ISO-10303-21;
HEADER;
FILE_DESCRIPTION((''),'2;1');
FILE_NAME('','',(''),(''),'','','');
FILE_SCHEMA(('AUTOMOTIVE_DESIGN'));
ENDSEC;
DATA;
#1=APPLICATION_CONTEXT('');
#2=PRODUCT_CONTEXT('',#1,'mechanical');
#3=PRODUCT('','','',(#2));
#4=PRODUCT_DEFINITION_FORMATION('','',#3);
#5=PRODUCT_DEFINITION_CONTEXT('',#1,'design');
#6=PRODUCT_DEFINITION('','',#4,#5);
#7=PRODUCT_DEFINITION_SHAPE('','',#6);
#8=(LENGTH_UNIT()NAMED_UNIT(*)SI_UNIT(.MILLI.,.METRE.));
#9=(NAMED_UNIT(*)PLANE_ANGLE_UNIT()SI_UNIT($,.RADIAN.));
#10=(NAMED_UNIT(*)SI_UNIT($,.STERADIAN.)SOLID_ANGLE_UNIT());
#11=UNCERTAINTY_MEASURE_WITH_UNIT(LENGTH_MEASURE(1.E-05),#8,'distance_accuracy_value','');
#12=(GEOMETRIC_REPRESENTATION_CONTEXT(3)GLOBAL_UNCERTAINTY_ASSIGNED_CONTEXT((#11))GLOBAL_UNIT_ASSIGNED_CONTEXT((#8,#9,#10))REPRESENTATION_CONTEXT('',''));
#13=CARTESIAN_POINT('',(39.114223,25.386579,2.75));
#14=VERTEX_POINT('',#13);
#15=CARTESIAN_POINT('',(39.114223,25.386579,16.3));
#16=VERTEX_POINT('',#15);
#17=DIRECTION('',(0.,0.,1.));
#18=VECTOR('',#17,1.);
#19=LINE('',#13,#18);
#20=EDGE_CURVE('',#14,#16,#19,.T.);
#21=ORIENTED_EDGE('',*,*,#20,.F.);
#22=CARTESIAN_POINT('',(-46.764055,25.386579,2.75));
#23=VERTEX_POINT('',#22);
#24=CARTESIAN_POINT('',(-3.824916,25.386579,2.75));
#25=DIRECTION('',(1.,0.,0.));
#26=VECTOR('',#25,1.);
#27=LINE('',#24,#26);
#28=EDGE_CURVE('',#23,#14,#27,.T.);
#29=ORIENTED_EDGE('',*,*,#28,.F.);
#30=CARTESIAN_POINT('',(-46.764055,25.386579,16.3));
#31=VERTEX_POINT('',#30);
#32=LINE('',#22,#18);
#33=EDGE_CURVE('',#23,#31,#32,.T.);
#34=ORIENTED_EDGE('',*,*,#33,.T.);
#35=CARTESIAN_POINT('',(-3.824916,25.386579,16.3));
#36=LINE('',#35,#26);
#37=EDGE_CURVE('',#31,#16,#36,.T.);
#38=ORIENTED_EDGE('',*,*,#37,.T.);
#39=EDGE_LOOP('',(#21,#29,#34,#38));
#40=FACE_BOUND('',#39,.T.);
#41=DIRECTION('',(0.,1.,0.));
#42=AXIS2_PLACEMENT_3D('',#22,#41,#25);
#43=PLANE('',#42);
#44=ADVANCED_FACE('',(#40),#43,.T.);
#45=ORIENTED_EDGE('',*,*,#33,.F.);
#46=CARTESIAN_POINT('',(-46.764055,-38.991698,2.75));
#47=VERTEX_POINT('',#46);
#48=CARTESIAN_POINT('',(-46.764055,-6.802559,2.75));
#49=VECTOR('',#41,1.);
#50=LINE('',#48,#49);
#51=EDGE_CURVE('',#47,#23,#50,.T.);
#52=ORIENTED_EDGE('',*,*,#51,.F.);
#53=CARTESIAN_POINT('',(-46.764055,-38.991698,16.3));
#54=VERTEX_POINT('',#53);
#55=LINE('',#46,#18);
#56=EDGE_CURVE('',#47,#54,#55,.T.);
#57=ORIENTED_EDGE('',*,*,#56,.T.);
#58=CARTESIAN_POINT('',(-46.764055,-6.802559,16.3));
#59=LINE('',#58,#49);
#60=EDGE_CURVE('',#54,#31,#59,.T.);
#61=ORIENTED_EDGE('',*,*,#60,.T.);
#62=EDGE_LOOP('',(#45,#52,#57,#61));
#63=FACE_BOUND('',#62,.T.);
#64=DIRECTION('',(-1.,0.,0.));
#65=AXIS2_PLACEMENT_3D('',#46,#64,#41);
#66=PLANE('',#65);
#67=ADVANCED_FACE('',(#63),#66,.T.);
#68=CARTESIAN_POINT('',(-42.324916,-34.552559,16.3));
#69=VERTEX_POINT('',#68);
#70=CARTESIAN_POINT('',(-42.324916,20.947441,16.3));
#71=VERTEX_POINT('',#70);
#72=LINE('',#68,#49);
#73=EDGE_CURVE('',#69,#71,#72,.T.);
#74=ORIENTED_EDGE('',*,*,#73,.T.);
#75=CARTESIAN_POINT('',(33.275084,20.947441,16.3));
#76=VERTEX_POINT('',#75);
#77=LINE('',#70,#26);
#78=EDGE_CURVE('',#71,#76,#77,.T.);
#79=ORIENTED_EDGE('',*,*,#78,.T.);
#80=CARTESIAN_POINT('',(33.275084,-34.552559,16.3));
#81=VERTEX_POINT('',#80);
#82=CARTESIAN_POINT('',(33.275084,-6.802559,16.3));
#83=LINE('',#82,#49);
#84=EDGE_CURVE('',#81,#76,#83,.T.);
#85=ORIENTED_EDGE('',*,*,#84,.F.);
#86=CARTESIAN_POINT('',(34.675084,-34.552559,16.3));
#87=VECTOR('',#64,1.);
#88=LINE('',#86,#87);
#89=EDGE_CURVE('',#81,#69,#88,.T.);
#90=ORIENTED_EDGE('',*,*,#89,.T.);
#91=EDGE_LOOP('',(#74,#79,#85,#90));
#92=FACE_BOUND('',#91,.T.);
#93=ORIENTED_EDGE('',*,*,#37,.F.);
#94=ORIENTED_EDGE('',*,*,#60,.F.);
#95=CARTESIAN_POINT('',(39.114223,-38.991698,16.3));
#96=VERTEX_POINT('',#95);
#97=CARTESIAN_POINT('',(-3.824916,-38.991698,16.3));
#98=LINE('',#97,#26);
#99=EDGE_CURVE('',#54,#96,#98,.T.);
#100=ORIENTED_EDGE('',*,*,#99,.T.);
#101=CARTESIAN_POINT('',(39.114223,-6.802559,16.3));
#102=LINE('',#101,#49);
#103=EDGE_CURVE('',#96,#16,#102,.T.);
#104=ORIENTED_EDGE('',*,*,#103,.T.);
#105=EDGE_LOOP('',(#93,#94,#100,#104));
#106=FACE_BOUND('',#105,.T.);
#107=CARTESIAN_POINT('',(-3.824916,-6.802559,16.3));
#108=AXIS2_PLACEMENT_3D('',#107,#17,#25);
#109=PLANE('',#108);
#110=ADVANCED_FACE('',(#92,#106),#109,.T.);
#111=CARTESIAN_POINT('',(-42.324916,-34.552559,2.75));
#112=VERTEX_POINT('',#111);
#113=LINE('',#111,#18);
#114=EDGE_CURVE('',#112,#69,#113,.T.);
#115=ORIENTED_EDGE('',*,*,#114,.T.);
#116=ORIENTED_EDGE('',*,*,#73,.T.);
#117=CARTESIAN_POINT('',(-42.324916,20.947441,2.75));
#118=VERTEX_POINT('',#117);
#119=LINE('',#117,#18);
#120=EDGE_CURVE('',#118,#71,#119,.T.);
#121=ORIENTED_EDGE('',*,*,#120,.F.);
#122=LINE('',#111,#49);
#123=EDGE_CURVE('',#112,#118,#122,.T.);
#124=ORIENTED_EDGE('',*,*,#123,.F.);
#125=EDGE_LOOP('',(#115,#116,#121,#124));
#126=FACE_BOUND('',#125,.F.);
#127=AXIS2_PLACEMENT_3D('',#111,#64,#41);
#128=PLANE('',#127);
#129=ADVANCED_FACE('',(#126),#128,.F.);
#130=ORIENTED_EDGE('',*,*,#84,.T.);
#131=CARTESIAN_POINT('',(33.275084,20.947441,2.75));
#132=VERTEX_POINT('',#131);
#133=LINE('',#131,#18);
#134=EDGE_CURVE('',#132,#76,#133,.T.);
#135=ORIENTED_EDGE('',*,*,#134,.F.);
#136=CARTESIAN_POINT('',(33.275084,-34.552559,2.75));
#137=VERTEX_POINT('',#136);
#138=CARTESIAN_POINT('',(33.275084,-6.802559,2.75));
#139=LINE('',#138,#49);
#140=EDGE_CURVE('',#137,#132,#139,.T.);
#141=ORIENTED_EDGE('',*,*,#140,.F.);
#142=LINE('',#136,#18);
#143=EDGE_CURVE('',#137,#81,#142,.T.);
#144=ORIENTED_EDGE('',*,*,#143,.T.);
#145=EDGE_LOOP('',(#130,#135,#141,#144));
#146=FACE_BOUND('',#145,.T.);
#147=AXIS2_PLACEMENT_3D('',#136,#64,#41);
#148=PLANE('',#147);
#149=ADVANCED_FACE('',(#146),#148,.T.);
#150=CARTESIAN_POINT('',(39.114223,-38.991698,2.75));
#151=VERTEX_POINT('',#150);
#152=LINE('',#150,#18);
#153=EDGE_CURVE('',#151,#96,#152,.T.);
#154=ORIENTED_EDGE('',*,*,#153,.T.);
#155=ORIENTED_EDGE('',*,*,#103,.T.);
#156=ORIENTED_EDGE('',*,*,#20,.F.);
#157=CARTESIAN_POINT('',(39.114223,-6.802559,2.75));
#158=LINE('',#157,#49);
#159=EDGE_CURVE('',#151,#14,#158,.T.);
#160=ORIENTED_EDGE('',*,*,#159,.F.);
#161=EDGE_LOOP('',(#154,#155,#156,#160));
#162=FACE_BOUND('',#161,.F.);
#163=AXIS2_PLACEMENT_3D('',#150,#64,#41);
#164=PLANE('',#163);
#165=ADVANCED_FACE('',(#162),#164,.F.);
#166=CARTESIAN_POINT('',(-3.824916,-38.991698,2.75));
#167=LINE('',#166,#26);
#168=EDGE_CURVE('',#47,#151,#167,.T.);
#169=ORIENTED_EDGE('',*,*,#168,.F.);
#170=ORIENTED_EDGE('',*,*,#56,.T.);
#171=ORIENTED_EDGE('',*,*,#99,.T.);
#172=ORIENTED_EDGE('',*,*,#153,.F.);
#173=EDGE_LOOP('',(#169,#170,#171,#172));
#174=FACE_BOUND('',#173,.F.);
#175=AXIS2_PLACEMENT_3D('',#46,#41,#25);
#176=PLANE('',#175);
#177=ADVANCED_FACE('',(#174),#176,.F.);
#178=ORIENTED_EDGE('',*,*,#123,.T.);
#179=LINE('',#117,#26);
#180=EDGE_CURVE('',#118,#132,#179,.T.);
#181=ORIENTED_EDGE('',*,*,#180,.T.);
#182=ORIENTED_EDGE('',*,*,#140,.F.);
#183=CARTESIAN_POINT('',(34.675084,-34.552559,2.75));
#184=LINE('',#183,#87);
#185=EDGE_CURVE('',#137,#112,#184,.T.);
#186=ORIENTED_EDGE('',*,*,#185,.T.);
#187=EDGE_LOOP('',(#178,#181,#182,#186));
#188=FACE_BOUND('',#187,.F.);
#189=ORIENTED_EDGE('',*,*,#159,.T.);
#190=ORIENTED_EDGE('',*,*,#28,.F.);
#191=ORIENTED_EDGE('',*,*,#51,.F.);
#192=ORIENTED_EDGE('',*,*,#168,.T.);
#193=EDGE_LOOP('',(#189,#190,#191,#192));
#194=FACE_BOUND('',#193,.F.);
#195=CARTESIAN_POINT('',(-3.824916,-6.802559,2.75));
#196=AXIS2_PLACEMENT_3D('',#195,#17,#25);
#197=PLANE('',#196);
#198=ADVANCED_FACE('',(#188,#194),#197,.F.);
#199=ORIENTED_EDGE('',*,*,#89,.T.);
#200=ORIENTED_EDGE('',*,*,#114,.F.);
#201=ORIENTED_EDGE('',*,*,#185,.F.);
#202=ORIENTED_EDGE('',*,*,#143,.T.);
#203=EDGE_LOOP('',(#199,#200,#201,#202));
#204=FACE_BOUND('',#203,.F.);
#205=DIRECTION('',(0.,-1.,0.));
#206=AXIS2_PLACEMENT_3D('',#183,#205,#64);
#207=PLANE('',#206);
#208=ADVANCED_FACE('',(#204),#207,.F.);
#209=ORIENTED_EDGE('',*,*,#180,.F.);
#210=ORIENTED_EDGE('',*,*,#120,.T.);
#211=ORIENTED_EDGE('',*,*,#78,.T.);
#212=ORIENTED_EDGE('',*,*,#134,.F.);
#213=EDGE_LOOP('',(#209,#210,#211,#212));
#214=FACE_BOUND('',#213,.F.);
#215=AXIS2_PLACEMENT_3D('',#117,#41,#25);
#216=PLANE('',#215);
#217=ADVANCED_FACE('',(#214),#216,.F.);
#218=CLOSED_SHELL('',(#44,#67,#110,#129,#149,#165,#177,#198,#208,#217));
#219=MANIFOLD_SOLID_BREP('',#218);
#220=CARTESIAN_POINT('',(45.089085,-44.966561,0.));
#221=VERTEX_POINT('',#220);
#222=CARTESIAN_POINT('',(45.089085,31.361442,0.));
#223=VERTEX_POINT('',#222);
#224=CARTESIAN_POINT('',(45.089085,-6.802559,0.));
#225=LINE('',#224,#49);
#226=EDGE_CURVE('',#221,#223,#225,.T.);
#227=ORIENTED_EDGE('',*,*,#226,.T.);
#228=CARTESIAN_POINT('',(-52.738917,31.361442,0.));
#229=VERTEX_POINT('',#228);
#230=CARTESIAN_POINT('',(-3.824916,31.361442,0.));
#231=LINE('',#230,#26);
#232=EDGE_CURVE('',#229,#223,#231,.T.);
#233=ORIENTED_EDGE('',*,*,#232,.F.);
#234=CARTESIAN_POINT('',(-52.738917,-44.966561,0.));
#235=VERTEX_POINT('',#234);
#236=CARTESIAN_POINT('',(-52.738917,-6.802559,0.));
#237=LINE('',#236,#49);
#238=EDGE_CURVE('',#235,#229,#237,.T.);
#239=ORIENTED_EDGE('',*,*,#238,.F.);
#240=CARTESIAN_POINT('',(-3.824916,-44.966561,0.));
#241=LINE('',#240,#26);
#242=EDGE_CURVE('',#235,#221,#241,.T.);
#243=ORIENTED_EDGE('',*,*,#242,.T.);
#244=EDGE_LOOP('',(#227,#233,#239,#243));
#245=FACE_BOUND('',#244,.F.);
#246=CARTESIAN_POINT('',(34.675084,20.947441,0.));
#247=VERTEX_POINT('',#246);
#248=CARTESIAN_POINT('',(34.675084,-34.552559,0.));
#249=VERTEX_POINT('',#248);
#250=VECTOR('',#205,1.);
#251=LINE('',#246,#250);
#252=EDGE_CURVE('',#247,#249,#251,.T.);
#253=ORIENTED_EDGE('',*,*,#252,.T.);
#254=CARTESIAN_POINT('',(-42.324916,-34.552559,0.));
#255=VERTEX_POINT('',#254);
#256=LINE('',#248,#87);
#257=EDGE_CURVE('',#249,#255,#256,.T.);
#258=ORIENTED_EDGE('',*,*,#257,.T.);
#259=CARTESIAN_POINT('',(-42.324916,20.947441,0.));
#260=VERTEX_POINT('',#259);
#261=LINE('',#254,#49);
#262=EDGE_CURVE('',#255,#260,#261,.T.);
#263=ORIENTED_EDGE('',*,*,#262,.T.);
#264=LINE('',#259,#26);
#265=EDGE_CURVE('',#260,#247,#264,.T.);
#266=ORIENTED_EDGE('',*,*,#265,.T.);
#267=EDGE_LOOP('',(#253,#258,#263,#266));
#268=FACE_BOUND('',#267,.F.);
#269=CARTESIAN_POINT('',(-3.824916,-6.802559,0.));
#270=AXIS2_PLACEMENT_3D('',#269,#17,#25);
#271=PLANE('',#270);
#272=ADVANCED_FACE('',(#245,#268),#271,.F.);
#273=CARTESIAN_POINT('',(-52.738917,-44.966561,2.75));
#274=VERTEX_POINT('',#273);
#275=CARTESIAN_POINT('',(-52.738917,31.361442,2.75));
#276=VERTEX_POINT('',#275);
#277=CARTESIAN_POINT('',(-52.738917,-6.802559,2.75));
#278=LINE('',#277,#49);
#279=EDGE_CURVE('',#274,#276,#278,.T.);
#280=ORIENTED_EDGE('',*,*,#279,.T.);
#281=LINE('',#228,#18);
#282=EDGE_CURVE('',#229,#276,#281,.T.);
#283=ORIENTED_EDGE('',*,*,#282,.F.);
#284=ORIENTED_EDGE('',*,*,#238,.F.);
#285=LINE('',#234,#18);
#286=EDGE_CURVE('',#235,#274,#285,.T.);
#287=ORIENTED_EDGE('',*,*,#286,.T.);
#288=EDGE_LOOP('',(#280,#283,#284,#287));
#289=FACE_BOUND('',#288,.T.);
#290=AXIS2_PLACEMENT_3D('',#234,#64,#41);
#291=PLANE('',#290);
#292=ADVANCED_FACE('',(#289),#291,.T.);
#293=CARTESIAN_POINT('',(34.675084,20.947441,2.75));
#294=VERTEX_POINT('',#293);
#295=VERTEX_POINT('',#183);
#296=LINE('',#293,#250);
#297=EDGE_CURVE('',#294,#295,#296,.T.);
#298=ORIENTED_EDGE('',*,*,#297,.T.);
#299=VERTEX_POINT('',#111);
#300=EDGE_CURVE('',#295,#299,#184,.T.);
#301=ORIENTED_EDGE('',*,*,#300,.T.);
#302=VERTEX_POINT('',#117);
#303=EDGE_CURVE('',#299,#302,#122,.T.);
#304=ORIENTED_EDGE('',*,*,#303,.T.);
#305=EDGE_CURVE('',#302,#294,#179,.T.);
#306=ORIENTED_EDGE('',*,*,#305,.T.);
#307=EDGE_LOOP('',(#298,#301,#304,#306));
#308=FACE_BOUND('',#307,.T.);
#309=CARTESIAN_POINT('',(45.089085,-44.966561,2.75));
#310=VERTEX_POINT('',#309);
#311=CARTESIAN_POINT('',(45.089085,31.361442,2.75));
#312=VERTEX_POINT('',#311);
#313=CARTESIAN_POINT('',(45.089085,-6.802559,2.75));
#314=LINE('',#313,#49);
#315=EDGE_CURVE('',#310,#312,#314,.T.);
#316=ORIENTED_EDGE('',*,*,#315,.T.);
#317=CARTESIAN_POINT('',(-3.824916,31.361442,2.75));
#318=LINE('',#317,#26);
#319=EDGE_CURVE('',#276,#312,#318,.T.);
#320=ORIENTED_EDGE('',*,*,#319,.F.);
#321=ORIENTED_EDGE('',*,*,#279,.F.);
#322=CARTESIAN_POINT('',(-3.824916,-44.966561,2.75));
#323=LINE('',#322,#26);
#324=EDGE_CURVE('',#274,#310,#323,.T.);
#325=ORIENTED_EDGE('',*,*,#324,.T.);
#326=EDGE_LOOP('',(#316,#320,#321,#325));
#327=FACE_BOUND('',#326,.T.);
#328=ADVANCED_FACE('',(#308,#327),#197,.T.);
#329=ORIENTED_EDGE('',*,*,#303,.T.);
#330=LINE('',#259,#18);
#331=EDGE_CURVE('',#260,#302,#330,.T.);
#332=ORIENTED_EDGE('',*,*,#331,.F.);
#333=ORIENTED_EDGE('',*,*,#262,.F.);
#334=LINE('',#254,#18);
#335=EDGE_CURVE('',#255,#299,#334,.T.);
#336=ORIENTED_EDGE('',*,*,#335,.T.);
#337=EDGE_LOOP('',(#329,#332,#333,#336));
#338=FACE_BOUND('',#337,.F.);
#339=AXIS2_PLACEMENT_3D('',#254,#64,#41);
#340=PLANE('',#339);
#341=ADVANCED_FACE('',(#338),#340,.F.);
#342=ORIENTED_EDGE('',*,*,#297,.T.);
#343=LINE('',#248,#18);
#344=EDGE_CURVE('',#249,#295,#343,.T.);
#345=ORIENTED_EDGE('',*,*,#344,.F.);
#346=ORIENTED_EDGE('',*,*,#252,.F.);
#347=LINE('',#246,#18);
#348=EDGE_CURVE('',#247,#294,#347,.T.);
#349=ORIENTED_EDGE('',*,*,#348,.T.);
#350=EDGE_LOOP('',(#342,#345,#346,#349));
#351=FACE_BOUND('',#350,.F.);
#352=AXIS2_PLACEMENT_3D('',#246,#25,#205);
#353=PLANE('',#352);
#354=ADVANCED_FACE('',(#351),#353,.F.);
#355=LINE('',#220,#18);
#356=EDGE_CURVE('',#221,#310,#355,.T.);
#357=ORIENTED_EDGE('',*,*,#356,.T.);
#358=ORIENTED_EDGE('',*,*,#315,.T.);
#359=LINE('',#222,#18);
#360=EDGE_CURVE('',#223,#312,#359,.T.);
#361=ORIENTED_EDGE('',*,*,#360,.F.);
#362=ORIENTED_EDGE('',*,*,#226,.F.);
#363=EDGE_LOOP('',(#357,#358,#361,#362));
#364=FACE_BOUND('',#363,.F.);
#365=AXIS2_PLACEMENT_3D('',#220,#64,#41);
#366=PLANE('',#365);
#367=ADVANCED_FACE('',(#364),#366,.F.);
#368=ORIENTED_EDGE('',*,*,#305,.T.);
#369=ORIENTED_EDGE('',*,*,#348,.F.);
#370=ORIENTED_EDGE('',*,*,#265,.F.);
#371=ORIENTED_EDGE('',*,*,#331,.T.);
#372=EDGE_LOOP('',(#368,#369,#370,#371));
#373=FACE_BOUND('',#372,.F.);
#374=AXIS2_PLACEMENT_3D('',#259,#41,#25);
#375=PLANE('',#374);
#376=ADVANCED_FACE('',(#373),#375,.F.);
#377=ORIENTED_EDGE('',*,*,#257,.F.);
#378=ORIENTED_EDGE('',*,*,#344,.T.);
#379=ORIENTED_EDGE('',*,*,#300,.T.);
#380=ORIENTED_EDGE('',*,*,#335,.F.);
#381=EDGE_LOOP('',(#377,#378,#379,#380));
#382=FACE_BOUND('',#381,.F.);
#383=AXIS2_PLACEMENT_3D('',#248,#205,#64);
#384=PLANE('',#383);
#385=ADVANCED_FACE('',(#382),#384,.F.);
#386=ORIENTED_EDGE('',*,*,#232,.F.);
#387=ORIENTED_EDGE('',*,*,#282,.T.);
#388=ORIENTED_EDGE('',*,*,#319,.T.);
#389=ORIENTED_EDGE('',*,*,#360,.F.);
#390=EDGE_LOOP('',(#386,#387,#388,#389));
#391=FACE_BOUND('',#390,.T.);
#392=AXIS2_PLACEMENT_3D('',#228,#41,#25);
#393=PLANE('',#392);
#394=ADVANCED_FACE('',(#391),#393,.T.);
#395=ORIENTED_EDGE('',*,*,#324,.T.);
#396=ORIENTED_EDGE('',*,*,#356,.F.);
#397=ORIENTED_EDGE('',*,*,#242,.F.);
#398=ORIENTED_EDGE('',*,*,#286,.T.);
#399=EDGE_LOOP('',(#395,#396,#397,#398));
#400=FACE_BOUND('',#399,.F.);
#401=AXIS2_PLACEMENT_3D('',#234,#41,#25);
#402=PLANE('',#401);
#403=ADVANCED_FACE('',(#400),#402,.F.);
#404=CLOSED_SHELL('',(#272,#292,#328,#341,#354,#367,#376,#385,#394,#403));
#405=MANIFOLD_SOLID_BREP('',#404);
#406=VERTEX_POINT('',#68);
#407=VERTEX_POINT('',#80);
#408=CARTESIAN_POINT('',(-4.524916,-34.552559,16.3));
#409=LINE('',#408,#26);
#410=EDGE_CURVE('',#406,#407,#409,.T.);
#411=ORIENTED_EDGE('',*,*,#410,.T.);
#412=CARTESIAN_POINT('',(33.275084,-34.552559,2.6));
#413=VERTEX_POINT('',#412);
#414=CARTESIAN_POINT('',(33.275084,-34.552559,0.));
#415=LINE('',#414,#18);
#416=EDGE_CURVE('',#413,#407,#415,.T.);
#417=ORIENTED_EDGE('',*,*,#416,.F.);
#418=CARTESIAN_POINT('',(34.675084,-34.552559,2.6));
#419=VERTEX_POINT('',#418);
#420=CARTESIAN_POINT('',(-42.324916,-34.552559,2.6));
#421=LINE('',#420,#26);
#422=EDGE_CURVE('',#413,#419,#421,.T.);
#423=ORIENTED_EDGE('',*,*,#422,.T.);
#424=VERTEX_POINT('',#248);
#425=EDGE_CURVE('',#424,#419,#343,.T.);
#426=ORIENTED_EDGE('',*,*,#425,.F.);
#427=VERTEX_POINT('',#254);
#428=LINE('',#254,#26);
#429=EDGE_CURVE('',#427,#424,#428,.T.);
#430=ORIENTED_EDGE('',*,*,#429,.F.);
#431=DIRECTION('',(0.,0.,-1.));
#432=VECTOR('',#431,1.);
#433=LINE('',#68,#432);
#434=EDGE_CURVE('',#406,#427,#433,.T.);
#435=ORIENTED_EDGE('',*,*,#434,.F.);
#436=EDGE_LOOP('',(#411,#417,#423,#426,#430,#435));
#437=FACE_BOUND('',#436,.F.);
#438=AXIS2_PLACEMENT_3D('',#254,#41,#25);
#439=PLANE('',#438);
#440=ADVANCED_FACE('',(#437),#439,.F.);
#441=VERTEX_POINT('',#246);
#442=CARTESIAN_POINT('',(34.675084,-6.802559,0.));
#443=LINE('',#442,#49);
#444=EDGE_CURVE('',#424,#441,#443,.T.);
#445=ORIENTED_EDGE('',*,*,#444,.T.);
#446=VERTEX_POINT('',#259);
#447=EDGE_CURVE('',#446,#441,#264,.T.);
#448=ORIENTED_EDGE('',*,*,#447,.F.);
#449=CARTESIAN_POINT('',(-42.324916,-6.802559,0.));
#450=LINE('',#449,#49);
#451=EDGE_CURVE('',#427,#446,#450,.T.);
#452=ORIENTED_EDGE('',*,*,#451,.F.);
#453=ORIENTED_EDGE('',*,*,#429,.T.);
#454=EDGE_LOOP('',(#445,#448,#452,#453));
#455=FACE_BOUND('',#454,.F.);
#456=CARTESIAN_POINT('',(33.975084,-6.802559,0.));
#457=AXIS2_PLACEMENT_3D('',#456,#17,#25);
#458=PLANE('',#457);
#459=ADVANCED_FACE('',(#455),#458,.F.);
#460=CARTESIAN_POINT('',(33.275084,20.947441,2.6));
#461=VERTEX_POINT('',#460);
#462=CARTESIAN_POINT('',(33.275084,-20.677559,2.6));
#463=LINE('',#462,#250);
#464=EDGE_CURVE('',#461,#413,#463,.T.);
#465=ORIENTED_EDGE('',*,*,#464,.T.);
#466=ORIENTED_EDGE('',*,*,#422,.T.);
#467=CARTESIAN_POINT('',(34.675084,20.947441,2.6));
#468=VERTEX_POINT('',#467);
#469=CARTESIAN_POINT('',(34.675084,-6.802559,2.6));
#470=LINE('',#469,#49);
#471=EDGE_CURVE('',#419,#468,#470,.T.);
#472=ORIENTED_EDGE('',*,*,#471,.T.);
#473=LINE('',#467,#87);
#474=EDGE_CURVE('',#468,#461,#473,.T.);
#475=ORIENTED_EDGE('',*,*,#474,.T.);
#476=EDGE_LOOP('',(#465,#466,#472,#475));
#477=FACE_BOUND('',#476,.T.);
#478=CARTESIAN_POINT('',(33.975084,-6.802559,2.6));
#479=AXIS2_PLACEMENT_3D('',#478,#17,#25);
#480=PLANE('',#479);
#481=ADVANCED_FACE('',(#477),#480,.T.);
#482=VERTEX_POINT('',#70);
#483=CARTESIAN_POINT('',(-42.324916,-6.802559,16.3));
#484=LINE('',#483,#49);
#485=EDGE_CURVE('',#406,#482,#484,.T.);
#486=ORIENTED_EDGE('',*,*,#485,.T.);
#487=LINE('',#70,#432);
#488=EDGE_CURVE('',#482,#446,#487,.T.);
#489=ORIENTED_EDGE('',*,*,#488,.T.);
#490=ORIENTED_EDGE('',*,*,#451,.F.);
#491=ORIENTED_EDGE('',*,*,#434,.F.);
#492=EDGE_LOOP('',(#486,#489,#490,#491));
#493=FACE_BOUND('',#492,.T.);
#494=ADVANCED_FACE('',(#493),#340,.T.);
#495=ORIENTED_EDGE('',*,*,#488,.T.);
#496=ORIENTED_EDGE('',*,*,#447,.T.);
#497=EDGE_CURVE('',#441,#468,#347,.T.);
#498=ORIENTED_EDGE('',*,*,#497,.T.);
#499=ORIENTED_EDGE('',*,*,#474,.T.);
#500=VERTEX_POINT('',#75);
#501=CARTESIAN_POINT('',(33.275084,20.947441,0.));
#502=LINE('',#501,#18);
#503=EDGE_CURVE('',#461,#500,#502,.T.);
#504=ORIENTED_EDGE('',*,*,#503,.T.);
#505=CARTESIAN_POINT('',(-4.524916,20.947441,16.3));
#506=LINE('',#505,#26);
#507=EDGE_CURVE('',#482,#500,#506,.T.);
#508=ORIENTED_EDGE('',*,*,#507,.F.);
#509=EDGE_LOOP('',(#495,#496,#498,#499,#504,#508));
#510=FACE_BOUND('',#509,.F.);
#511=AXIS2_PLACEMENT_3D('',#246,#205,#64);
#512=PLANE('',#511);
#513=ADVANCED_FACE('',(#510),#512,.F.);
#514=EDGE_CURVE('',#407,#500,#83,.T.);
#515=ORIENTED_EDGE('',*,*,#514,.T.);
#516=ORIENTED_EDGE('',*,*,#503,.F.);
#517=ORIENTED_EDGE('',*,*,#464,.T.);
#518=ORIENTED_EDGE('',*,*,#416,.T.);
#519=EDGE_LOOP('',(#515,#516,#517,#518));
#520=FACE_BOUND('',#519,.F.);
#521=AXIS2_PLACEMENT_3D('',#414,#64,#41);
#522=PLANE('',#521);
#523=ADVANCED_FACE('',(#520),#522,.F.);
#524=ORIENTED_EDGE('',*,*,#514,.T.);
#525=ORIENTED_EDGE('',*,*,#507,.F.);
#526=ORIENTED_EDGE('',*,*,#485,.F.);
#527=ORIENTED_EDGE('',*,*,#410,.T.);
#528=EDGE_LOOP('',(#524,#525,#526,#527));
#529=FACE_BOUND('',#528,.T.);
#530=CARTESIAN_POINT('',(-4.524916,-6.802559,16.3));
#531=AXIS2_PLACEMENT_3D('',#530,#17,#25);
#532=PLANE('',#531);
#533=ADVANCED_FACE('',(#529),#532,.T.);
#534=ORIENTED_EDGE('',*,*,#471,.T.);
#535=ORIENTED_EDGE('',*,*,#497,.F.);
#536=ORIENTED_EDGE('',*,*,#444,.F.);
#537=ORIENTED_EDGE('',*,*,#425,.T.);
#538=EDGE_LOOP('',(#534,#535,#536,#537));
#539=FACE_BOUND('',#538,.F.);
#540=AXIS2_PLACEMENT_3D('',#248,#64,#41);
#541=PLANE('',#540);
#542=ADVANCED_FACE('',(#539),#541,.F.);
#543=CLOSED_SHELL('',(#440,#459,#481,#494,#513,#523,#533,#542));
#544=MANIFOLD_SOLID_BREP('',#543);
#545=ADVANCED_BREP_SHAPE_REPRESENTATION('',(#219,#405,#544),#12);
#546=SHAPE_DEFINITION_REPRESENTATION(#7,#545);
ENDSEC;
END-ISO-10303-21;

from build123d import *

# Parameters (mm, degrees)
F0_W     = 1.4
F0_H     = 55.5
F0_W_2   = 75.6
F1_DEPTH = 2.6
F2_DEPTH = 16.3
F0_W_3   = 97.8280026317
F0_H_2   = 76.3280026317
F3_DEPTH = 2.75
F5_W     = 1.4
F5_H     = 55.5
F6_DEPTH = 13.55
F5_W_2   = 85.8782771826
F5_H_2   = 64.3782771826
F7_DEPTH = 13.55


with BuildPart() as f1:
    # F0 (on Top) → F1 (new body)
    with BuildSketch(Plane.XY):
        with Locations((33.9750840545, -6.8025592566)):
            Rectangle(F0_W, F0_H)
        with Locations((-4.5249159455, -6.8025592566)):
            Rectangle(F0_W_2, F0_H)
    extrude(amount=F1_DEPTH)

    # F0 (on Top) → F2 (join)
    with BuildSketch(Plane.XY):
        with Locations((-4.5249159455, -6.8025592566)):
            Rectangle(F0_W_2, F0_H)
    extrude(amount=F2_DEPTH)


with BuildPart() as f3:
    # F0 (on Top) → F3 (new body)
    with BuildSketch(Plane.XY):
        with Locations((-3.8249159455, -6.8025592566)):
            Rectangle(F0_W_3, F0_H_2)
        Polygon((-42.3249159455, -34.5525592566), (-42.3249159455, 20.9474407434), (33.2750840545, 20.9474407434), (34.6750840545, 20.9474407434), (34.6750840545, -34.5525592566), (33.2750840545, -34.5525592566), align=None, mode=Mode.SUBTRACT)
    extrude(amount=F3_DEPTH)


with BuildPart() as f6:
    # F5 (on offset) → F6 (new body)
    with BuildSketch(Plane.XY.offset(2.75)):
        with Locations((33.9750840545, -6.8025592566)):
            Rectangle(F5_W, F5_H)
    extrude(amount=F6_DEPTH)

    # F5 (on offset) → F7 (join)
    with BuildSketch(Plane.XY.offset(2.75)):
        with Locations((-3.8249159455, -6.8025592566)):
            Rectangle(F5_W_2, F5_H_2)
        Polygon((-42.3249159455, -34.5525592566), (-42.3249159455, 20.9474407434), (33.2750840545, 20.9474407434), (34.6750840545, 20.9474407434), (34.6750840545, -34.5525592566), (33.2750840545, -34.5525592566), align=None, mode=Mode.SUBTRACT)
    extrude(amount=F7_DEPTH)


solid = Compound([f1.part, f3.part, f6.part])
